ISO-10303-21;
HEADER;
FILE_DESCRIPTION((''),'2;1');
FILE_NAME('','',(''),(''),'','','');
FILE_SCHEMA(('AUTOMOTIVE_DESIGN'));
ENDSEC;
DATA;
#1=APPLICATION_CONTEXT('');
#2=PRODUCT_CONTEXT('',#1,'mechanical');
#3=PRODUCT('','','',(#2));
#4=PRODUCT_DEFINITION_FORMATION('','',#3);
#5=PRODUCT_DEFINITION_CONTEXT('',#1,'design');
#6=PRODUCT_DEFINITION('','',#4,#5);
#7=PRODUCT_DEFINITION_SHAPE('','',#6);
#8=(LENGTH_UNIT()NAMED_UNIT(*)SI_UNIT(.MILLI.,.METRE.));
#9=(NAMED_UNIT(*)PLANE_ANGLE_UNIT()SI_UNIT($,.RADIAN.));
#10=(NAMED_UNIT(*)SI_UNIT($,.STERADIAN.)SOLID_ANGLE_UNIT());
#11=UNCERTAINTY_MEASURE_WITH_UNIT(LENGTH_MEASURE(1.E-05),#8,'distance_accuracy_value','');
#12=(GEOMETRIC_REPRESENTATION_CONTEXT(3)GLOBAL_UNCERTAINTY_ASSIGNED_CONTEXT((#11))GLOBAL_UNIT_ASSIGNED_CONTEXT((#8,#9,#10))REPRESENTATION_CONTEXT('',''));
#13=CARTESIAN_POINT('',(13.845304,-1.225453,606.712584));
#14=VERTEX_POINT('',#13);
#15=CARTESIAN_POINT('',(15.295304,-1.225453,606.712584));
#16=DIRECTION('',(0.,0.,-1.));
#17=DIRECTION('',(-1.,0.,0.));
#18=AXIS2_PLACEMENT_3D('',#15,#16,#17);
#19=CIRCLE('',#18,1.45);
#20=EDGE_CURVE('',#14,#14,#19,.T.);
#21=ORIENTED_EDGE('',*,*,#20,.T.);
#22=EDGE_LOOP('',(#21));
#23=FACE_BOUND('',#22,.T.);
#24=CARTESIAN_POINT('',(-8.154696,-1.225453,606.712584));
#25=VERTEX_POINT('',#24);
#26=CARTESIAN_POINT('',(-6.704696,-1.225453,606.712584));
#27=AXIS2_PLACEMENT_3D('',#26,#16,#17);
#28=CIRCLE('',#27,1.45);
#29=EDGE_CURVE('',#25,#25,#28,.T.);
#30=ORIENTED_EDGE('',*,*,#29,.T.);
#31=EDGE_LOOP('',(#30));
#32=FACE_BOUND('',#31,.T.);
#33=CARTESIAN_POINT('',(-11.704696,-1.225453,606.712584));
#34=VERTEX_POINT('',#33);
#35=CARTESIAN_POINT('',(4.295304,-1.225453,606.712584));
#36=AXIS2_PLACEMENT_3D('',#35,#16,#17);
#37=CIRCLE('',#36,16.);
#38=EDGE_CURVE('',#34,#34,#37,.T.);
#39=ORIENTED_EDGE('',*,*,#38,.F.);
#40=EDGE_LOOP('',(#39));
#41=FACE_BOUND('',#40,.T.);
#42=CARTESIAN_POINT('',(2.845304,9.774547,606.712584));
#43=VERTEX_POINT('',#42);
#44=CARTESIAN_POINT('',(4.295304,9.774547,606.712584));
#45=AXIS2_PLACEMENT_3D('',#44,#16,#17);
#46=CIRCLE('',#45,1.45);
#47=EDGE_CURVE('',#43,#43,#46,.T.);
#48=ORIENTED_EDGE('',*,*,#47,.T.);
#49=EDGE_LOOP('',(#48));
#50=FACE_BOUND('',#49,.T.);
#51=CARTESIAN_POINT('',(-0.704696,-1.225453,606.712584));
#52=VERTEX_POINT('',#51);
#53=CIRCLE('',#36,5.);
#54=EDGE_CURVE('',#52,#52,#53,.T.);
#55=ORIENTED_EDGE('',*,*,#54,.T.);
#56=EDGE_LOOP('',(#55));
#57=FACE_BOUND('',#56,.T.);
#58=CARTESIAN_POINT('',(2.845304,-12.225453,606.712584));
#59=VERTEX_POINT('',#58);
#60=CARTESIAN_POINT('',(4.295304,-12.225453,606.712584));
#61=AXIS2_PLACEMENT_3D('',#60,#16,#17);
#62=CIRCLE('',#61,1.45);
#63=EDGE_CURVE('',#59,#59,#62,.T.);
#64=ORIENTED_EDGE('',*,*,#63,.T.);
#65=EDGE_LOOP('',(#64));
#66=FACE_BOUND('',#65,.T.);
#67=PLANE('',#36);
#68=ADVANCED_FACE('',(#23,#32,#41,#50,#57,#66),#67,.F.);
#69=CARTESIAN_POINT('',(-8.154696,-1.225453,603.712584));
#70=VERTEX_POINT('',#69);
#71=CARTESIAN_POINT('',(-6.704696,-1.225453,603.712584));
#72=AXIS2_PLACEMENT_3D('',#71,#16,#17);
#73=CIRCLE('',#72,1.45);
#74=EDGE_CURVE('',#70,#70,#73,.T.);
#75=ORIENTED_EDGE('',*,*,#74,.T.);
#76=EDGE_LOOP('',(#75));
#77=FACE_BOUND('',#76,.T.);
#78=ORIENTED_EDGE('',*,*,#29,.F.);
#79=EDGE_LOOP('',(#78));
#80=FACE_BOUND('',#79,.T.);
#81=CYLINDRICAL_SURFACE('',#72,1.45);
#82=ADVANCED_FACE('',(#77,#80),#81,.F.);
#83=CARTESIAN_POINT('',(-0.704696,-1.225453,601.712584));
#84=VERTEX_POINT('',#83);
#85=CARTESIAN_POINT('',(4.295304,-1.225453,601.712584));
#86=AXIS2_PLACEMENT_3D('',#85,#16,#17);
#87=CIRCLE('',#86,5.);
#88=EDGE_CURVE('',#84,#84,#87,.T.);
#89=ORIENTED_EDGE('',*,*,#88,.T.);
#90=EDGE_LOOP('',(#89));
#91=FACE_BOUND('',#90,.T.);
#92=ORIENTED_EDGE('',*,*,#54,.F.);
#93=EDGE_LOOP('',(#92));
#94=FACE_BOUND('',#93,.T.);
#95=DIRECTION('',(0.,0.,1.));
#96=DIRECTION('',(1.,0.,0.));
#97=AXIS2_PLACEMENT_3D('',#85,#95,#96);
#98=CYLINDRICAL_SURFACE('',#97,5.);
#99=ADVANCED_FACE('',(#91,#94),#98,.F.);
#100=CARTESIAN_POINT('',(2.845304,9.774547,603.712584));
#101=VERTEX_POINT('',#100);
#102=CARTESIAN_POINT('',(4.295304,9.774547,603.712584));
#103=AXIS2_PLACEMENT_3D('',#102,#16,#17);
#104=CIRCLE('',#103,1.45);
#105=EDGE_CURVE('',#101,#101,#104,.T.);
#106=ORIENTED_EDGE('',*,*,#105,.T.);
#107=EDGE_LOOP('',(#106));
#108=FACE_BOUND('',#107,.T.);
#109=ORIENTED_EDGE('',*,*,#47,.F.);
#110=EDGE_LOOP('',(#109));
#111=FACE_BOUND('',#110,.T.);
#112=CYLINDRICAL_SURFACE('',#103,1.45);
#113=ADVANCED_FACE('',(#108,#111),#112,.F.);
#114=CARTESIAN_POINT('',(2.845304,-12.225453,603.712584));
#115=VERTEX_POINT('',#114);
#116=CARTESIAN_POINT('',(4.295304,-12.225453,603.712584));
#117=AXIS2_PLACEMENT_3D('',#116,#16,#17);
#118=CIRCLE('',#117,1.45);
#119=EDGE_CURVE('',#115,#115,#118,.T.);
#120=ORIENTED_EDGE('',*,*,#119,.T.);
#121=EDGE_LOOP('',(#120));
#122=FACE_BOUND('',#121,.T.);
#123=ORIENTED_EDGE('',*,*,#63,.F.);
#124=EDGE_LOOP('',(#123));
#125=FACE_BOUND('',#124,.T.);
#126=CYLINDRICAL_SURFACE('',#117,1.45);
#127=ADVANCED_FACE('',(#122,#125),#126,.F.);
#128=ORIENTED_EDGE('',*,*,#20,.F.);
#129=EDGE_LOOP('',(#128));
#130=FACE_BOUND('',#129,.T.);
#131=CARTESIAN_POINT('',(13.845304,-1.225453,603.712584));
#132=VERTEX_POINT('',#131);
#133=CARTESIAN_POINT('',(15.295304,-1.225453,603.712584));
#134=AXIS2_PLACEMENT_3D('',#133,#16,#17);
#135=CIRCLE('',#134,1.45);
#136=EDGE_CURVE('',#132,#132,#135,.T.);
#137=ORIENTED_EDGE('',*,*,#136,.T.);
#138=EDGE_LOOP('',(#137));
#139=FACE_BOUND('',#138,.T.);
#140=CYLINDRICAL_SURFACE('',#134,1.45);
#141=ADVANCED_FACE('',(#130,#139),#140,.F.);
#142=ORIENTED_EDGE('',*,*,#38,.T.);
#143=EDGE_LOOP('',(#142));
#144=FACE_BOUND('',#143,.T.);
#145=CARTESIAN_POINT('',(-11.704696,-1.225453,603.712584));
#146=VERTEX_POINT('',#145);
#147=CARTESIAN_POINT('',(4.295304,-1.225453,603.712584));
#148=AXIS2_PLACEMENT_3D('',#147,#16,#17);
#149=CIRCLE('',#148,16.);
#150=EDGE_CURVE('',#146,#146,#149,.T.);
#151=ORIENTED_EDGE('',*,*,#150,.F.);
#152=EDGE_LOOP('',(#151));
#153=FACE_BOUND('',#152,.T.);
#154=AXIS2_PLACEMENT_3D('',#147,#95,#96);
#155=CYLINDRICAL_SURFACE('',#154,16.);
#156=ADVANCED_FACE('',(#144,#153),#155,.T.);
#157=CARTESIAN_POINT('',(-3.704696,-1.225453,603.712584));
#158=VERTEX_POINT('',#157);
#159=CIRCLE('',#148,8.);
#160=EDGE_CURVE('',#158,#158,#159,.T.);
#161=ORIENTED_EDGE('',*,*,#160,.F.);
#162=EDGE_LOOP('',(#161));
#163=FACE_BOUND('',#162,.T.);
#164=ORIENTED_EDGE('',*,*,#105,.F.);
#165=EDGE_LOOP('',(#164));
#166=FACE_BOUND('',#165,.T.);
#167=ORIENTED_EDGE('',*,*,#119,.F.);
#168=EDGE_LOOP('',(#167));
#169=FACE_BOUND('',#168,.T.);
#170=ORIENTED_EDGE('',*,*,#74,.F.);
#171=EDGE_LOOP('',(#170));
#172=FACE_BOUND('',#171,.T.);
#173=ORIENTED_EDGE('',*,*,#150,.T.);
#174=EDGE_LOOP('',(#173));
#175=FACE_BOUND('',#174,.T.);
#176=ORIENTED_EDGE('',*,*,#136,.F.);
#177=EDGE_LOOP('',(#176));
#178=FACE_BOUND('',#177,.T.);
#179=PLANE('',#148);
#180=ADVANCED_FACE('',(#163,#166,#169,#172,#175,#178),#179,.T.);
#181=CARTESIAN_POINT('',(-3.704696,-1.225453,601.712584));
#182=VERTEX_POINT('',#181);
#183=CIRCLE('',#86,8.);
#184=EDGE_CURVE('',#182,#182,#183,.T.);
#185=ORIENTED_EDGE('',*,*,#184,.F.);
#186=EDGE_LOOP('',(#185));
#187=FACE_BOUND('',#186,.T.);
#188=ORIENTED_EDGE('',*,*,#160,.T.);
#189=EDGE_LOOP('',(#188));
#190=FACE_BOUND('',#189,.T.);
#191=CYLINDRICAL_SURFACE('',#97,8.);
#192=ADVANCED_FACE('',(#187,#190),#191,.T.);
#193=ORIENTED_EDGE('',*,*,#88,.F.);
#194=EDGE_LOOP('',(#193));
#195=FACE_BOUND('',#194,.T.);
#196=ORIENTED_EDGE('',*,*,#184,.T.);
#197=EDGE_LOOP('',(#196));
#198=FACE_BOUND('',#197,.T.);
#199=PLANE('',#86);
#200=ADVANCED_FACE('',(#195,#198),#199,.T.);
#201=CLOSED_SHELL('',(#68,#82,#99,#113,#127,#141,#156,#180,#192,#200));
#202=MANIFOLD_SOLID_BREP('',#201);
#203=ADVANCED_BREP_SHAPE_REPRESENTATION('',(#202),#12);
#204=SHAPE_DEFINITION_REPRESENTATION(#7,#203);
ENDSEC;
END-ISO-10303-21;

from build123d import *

# Parameters (mm, degrees)
SKETCH_1_R      = 8
SKETCH_1_R_2    = 5
EXTRUDE_1_DEPTH = 5
SKETCH_4_R      = 16
SKETCH_4_R_2    = 8
EXTRUDE_2_DEPTH = 3
SKETCH_5_R      = 16
SKETCH_5_R_2    = 12.5
EXTRUDE_3_DEPTH = 3
ST2_9_1_D       = 2.9


with BuildPart() as part:
    # 草图1 → 凸台-拉伸1 (new body)
    with BuildSketch(Plane(origin=(0, 0, 606.712583837), x_dir=(-1, 0, 0), z_dir=(0, 0, -1))):
        with Locations((-4.295303519, -1.225452996)):
            Circle(SKETCH_1_R)
        with Locations((-4.295303519, -1.225452996)):
            Circle(SKETCH_1_R_2, mode=Mode.SUBTRACT)
    extrude(amount=EXTRUDE_1_DEPTH)

    # 草图4 → 凸台-拉伸2 (add)
    with BuildSketch(Plane(origin=(0, 0, 606.712583837), x_dir=(-1, 0, 0), z_dir=(0, 0, -1))):
        with Locations((-4.295303519, -1.225452996)):
            Circle(SKETCH_4_R)
        with Locations((-4.295303519, -1.225452996)):
            Circle(SKETCH_4_R_2, mode=Mode.SUBTRACT)
    extrude(amount=EXTRUDE_2_DEPTH)

    # 草图5 → 凸台-拉伸3 (add)
    with BuildSketch(Plane(origin=(0, 0, 603.712583837), x_dir=(-1, 0, 0), z_dir=(0, 0, -1))):
        with Locations((-4.295303519, -1.225452996)):
            Circle(SKETCH_5_R)
        with Locations((-4.295303519, -1.225452996)):
            Circle(SKETCH_5_R_2, mode=Mode.SUBTRACT)
    extrude(amount=-EXTRUDE_3_DEPTH)

    # ST2.9 间隙孔1 (through all)
    with Locations(Plane(origin=(0, 0, 603.712583837), x_dir=(-1, 0, 0), z_dir=(0, 0, -1))):
        with Locations((-4.295303519, 9.774547004), (6.704696481, -1.225452996), (-4.295303519, -12.225452996), (-15.295303519, -1.225452996)):
            Hole(ST2_9_1_D / 2)


solid = part.part
